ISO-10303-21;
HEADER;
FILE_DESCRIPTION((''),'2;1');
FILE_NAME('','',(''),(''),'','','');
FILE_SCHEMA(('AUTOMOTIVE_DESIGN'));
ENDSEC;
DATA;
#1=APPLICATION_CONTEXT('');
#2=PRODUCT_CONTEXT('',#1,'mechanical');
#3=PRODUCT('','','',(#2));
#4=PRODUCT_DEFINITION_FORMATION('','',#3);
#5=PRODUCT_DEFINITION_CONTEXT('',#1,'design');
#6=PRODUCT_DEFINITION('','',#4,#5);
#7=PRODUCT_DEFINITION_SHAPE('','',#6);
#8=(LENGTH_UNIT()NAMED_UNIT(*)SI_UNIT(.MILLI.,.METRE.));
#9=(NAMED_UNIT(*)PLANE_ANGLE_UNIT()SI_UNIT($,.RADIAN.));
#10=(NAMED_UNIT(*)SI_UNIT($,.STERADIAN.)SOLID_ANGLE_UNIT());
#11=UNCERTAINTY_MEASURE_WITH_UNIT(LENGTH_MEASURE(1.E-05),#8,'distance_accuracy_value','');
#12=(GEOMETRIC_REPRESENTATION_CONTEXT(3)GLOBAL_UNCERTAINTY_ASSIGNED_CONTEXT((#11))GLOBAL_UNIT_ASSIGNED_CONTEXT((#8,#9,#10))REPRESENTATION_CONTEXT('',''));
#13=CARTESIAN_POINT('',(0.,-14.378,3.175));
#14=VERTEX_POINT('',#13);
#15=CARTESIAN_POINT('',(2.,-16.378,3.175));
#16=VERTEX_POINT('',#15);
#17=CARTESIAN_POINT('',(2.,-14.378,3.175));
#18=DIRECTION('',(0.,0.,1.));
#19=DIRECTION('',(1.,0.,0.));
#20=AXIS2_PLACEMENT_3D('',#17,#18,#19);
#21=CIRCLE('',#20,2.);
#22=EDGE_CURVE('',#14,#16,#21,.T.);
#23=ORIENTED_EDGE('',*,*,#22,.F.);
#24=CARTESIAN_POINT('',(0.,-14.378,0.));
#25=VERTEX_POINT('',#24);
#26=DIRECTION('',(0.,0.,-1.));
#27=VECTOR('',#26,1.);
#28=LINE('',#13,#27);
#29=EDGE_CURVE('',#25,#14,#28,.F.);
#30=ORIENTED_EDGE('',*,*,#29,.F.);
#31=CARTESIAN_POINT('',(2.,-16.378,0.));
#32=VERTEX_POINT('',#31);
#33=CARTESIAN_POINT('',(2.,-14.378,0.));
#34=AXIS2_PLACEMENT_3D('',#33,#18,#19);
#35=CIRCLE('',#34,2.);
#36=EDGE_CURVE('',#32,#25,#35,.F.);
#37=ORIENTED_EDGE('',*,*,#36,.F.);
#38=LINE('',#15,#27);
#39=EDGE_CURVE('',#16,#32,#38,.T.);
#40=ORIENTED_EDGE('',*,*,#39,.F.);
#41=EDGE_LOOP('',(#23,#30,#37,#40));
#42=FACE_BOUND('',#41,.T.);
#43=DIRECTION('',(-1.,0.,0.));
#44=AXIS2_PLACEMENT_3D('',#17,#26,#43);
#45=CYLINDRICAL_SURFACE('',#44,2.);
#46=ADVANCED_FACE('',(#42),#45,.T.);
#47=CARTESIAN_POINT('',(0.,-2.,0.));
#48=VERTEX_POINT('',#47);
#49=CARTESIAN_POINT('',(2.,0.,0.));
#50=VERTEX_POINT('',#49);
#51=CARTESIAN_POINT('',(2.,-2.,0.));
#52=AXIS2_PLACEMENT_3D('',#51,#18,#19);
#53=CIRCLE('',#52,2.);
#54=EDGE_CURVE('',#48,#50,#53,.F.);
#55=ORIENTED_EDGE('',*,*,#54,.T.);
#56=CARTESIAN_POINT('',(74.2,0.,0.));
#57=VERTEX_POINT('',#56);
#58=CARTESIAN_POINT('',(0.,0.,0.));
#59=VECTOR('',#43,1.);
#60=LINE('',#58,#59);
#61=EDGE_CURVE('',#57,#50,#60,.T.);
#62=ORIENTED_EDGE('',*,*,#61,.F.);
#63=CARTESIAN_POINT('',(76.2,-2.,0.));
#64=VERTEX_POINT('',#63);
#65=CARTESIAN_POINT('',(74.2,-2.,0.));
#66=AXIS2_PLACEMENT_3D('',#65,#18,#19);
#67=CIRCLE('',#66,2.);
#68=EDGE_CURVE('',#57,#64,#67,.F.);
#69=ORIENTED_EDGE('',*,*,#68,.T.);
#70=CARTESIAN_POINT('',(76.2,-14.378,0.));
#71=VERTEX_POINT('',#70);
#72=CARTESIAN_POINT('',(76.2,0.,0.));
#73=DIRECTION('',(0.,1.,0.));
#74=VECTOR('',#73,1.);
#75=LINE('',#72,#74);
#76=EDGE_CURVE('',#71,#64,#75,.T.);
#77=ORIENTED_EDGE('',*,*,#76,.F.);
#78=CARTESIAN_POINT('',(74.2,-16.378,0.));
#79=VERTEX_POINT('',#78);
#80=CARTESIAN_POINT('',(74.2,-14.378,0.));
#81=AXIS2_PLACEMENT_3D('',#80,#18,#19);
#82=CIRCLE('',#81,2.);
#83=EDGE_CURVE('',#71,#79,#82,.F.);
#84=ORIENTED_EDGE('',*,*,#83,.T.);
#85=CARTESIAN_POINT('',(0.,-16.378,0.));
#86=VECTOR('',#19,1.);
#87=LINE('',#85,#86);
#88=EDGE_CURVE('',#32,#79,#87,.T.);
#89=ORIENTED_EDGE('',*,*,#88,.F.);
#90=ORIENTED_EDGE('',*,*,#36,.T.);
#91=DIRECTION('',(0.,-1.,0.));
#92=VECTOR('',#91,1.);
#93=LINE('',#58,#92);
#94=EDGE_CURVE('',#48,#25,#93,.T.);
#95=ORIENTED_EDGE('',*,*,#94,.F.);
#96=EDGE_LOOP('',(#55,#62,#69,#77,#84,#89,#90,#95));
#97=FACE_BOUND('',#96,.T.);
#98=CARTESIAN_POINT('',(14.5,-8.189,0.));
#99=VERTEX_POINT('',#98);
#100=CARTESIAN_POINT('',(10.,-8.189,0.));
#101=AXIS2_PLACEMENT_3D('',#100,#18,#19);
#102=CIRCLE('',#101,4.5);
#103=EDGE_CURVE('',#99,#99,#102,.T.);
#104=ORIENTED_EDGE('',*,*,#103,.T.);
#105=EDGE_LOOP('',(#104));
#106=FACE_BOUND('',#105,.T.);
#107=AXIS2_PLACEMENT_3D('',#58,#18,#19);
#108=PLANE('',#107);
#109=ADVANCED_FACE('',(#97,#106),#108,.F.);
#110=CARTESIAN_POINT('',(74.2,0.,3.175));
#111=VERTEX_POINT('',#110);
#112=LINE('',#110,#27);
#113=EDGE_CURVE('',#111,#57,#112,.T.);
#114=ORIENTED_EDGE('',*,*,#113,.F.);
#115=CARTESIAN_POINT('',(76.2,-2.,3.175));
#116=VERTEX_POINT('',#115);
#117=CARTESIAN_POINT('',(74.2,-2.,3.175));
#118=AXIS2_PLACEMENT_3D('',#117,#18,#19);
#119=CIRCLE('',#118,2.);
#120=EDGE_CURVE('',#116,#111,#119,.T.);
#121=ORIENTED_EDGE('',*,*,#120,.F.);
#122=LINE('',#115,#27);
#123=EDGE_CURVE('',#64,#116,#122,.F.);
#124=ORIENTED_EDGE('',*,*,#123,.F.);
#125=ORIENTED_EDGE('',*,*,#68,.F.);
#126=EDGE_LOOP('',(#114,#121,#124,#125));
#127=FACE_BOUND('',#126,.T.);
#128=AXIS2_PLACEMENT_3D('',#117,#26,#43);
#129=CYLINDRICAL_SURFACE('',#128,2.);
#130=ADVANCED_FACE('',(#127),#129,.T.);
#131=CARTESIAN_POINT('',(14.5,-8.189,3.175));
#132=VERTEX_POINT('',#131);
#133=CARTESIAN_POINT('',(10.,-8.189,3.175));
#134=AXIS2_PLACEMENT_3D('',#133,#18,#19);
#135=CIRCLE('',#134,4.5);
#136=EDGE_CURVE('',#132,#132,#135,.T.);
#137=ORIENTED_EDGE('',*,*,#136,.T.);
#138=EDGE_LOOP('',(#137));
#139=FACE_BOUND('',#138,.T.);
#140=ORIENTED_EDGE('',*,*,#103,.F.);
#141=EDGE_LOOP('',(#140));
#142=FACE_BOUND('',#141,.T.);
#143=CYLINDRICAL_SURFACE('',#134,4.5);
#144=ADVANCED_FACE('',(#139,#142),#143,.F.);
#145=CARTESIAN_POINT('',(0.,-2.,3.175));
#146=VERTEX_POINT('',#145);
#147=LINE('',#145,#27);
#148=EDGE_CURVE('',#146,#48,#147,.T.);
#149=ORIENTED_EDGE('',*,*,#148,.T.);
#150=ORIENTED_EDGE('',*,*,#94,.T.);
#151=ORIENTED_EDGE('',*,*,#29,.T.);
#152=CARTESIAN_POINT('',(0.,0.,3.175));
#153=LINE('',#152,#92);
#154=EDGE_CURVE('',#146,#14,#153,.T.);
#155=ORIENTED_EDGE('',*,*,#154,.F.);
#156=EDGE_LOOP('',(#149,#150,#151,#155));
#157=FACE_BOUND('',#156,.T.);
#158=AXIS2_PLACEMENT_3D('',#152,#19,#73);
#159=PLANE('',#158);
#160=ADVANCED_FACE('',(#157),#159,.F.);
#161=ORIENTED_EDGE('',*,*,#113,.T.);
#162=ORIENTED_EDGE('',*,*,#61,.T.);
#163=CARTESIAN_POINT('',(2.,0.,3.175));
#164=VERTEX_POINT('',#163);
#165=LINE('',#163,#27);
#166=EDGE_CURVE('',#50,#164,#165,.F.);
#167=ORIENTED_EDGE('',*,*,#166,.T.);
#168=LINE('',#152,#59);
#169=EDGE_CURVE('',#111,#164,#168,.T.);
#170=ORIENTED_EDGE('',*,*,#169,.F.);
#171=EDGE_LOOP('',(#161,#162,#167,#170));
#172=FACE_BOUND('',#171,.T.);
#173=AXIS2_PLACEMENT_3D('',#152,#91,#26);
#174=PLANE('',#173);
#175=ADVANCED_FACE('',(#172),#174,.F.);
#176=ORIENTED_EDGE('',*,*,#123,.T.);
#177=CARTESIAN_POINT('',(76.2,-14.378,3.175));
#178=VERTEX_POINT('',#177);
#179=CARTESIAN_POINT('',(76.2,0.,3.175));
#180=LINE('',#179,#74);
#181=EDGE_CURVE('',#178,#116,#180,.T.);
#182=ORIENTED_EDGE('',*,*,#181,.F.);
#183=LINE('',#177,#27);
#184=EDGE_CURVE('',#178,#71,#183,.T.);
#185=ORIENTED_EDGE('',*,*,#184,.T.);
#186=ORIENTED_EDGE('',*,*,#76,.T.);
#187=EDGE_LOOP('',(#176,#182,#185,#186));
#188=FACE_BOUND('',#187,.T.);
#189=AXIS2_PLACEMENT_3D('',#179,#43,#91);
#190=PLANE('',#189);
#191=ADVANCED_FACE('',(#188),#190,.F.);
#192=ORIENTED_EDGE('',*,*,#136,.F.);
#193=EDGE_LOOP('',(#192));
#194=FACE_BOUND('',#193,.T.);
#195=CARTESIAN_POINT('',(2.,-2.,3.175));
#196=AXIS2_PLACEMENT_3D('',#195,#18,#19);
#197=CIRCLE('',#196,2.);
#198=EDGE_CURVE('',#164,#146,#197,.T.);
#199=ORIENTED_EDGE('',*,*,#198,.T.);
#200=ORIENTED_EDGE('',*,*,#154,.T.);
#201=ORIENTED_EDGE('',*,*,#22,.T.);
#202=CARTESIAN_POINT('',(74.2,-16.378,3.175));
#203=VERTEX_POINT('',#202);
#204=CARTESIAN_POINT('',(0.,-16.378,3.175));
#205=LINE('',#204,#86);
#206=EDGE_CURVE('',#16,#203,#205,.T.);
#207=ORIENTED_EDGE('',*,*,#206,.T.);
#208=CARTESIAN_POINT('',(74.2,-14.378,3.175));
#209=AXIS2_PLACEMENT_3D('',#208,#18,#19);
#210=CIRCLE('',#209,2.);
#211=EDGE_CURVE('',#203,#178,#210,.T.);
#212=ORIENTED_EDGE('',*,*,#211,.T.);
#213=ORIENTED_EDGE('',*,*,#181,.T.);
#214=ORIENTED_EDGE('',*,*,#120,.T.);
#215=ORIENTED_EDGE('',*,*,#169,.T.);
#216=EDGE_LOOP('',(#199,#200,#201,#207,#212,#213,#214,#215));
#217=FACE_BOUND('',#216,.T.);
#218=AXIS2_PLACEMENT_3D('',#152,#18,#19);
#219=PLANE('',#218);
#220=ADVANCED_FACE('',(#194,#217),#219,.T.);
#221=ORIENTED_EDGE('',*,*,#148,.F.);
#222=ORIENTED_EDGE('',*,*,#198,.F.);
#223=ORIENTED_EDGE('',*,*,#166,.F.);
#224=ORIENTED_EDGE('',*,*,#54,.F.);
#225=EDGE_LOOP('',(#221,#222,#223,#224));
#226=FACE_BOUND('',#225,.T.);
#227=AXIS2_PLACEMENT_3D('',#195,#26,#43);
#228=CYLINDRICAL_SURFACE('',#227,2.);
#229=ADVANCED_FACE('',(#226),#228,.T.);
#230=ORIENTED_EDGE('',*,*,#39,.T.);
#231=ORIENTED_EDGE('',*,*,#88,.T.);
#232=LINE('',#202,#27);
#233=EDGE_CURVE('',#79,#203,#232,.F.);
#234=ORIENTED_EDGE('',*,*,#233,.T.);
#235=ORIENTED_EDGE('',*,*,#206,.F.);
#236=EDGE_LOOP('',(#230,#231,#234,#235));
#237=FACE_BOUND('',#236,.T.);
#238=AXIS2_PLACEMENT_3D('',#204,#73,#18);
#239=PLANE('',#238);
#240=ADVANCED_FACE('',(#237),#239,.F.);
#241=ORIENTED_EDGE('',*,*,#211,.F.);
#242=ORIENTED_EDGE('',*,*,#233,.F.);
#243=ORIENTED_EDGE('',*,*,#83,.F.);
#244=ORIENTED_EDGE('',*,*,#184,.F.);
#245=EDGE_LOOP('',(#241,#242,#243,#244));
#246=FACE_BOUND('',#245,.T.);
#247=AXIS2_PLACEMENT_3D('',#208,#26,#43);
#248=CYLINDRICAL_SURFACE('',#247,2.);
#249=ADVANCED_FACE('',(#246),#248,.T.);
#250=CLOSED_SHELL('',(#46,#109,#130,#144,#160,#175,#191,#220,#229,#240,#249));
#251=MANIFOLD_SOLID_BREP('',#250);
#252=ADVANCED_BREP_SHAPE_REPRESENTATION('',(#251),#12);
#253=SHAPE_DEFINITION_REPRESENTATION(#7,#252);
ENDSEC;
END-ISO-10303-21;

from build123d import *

# Parameters (mm, degrees)
SKETCH1_W            = 76.2
SKETCH1_H            = 16.378
BOSS_EXTRUDE1_DEPTH  = 3.175
FILLET1_R            = 2
M8_CLEARANCE_HOLE1_D = 9


with BuildPart() as part:
    # Sketch1 → Boss-Extrude1 (new body)
    with BuildSketch(Plane.XY):
        with Locations((38.1, -8.189)):
            Rectangle(SKETCH1_W, SKETCH1_H)
    extrude(amount=BOSS_EXTRUDE1_DEPTH)

    # Fillet1
    fillet1_edges = [part.edges().sort_by_distance(p)[0] for p in [
        (0, 0, 1.5875),
        (76.2, 0, 1.5875),
        (76.2, -16.378, 1.5875),
        (0, -16.378, 1.5875),
    ]]
    fillet(fillet1_edges, radius=FILLET1_R)

    # M8 Clearance Hole1 (through all)
    with Locations(Plane.XY.offset(3.175)):
        with Locations((10, -8.189)):
            Hole(M8_CLEARANCE_HOLE1_D / 2)


solid = part.part
